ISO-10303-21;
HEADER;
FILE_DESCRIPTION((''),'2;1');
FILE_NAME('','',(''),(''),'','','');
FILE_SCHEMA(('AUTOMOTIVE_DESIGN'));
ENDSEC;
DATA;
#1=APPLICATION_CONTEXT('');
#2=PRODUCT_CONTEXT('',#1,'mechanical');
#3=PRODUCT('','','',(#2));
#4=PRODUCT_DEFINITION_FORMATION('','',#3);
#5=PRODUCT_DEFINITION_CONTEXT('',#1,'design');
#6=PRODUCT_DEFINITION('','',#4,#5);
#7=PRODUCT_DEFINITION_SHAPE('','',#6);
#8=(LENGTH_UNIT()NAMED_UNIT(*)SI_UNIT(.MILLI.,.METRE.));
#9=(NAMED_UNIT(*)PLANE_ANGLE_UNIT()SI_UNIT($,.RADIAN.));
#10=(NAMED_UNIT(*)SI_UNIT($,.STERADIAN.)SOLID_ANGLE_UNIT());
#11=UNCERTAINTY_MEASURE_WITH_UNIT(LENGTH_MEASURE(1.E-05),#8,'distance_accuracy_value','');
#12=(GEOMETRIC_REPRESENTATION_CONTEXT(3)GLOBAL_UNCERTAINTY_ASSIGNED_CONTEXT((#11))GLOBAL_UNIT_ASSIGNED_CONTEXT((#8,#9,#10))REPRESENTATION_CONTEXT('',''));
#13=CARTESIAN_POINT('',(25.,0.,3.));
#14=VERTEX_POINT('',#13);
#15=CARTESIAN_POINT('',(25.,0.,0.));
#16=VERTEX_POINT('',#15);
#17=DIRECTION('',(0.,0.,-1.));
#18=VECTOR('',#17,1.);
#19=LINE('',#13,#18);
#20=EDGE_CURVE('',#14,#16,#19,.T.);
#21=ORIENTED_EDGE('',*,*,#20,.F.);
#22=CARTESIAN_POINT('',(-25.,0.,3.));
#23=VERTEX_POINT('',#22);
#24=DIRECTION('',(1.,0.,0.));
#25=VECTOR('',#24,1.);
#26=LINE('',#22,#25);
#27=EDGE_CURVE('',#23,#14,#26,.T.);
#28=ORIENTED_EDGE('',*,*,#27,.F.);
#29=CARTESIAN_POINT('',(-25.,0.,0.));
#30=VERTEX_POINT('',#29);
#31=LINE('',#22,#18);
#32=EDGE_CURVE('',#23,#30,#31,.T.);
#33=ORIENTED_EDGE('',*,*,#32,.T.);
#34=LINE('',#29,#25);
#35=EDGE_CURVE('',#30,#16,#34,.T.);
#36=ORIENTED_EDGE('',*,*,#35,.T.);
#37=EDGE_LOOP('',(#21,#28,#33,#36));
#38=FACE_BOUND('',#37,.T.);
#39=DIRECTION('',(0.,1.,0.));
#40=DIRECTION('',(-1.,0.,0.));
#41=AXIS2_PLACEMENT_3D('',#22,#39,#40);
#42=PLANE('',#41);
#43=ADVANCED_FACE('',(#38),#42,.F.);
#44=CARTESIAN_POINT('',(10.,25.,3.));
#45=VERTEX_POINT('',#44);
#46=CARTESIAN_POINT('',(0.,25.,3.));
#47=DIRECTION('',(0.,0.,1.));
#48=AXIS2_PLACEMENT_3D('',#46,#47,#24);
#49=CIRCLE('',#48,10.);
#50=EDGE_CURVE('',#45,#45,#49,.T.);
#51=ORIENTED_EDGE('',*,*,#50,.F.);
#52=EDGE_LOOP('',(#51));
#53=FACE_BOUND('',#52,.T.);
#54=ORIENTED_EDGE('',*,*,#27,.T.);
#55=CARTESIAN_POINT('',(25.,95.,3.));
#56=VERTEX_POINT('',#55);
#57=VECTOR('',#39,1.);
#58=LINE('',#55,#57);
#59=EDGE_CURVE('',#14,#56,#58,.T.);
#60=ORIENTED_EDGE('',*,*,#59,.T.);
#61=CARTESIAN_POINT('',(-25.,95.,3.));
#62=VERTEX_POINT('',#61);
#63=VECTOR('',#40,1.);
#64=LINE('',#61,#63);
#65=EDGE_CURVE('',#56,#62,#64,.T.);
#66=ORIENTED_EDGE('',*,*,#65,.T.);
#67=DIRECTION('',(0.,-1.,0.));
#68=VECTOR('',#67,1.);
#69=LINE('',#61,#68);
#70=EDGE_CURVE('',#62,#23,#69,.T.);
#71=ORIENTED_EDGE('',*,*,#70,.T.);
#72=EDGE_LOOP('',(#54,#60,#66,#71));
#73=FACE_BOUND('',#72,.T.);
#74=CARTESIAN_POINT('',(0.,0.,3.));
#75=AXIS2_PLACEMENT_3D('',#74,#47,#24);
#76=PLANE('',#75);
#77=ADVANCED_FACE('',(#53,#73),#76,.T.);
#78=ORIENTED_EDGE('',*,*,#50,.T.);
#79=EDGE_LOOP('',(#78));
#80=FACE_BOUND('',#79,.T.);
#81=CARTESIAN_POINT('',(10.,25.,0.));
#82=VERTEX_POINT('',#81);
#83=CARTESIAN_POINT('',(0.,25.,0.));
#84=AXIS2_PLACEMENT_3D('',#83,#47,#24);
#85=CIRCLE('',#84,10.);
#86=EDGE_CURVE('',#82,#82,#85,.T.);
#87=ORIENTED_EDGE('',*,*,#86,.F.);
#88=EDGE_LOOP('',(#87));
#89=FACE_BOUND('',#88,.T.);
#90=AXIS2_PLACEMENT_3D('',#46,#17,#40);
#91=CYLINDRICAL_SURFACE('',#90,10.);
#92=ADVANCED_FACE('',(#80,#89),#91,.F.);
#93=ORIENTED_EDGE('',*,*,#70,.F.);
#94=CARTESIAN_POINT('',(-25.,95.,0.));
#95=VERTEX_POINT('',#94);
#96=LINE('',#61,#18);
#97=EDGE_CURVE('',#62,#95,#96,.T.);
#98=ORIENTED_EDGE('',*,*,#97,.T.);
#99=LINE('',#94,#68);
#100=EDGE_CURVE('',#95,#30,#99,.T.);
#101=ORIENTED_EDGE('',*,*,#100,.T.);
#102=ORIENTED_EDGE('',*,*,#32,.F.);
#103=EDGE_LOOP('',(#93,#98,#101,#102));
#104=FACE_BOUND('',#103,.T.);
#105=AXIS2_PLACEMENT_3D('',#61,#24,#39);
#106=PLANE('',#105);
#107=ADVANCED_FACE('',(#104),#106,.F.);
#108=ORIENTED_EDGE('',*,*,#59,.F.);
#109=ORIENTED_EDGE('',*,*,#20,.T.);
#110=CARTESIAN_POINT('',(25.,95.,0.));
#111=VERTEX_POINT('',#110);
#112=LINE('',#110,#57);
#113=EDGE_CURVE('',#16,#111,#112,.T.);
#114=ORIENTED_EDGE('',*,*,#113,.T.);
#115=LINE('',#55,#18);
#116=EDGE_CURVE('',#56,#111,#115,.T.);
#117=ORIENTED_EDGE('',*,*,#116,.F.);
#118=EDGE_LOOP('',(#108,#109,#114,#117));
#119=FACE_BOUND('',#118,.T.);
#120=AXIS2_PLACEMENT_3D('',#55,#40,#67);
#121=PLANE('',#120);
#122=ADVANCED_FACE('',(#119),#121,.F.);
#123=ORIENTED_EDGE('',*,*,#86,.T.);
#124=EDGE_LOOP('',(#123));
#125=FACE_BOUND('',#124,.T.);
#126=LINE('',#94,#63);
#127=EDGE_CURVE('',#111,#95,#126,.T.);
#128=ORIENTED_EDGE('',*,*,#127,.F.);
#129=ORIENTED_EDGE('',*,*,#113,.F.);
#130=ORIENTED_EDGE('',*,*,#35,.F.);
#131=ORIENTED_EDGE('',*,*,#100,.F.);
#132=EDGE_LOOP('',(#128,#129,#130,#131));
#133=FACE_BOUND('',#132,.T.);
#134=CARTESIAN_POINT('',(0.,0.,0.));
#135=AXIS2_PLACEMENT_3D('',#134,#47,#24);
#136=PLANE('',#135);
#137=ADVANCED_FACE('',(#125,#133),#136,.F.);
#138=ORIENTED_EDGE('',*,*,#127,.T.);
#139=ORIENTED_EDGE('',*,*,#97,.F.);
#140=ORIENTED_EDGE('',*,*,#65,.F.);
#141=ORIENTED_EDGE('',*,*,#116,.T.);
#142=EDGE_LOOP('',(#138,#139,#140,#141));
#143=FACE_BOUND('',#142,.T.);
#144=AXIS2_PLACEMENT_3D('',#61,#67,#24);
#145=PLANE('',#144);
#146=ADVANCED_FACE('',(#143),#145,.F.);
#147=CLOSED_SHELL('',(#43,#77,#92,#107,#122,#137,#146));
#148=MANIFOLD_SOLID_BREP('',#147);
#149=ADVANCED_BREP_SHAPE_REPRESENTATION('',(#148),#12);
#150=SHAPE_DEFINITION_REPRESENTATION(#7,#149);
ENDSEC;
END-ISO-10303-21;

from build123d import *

# Parameters (mm, degrees)
SKETCH1_W           = 50
SKETCH1_H           = 95
SKETCH1_R           = 10
BOSS_EXTRUDE1_DEPTH = 3


with BuildPart() as part:
    # Sketch1 → Boss-Extrude1 (new body)
    with BuildSketch(Plane.XY):
        with Locations((0, 47.5)):
            Rectangle(SKETCH1_W, SKETCH1_H)
        with Locations((0, 25)):
            Circle(SKETCH1_R, mode=Mode.SUBTRACT)
    extrude(amount=BOSS_EXTRUDE1_DEPTH)


solid = part.part
